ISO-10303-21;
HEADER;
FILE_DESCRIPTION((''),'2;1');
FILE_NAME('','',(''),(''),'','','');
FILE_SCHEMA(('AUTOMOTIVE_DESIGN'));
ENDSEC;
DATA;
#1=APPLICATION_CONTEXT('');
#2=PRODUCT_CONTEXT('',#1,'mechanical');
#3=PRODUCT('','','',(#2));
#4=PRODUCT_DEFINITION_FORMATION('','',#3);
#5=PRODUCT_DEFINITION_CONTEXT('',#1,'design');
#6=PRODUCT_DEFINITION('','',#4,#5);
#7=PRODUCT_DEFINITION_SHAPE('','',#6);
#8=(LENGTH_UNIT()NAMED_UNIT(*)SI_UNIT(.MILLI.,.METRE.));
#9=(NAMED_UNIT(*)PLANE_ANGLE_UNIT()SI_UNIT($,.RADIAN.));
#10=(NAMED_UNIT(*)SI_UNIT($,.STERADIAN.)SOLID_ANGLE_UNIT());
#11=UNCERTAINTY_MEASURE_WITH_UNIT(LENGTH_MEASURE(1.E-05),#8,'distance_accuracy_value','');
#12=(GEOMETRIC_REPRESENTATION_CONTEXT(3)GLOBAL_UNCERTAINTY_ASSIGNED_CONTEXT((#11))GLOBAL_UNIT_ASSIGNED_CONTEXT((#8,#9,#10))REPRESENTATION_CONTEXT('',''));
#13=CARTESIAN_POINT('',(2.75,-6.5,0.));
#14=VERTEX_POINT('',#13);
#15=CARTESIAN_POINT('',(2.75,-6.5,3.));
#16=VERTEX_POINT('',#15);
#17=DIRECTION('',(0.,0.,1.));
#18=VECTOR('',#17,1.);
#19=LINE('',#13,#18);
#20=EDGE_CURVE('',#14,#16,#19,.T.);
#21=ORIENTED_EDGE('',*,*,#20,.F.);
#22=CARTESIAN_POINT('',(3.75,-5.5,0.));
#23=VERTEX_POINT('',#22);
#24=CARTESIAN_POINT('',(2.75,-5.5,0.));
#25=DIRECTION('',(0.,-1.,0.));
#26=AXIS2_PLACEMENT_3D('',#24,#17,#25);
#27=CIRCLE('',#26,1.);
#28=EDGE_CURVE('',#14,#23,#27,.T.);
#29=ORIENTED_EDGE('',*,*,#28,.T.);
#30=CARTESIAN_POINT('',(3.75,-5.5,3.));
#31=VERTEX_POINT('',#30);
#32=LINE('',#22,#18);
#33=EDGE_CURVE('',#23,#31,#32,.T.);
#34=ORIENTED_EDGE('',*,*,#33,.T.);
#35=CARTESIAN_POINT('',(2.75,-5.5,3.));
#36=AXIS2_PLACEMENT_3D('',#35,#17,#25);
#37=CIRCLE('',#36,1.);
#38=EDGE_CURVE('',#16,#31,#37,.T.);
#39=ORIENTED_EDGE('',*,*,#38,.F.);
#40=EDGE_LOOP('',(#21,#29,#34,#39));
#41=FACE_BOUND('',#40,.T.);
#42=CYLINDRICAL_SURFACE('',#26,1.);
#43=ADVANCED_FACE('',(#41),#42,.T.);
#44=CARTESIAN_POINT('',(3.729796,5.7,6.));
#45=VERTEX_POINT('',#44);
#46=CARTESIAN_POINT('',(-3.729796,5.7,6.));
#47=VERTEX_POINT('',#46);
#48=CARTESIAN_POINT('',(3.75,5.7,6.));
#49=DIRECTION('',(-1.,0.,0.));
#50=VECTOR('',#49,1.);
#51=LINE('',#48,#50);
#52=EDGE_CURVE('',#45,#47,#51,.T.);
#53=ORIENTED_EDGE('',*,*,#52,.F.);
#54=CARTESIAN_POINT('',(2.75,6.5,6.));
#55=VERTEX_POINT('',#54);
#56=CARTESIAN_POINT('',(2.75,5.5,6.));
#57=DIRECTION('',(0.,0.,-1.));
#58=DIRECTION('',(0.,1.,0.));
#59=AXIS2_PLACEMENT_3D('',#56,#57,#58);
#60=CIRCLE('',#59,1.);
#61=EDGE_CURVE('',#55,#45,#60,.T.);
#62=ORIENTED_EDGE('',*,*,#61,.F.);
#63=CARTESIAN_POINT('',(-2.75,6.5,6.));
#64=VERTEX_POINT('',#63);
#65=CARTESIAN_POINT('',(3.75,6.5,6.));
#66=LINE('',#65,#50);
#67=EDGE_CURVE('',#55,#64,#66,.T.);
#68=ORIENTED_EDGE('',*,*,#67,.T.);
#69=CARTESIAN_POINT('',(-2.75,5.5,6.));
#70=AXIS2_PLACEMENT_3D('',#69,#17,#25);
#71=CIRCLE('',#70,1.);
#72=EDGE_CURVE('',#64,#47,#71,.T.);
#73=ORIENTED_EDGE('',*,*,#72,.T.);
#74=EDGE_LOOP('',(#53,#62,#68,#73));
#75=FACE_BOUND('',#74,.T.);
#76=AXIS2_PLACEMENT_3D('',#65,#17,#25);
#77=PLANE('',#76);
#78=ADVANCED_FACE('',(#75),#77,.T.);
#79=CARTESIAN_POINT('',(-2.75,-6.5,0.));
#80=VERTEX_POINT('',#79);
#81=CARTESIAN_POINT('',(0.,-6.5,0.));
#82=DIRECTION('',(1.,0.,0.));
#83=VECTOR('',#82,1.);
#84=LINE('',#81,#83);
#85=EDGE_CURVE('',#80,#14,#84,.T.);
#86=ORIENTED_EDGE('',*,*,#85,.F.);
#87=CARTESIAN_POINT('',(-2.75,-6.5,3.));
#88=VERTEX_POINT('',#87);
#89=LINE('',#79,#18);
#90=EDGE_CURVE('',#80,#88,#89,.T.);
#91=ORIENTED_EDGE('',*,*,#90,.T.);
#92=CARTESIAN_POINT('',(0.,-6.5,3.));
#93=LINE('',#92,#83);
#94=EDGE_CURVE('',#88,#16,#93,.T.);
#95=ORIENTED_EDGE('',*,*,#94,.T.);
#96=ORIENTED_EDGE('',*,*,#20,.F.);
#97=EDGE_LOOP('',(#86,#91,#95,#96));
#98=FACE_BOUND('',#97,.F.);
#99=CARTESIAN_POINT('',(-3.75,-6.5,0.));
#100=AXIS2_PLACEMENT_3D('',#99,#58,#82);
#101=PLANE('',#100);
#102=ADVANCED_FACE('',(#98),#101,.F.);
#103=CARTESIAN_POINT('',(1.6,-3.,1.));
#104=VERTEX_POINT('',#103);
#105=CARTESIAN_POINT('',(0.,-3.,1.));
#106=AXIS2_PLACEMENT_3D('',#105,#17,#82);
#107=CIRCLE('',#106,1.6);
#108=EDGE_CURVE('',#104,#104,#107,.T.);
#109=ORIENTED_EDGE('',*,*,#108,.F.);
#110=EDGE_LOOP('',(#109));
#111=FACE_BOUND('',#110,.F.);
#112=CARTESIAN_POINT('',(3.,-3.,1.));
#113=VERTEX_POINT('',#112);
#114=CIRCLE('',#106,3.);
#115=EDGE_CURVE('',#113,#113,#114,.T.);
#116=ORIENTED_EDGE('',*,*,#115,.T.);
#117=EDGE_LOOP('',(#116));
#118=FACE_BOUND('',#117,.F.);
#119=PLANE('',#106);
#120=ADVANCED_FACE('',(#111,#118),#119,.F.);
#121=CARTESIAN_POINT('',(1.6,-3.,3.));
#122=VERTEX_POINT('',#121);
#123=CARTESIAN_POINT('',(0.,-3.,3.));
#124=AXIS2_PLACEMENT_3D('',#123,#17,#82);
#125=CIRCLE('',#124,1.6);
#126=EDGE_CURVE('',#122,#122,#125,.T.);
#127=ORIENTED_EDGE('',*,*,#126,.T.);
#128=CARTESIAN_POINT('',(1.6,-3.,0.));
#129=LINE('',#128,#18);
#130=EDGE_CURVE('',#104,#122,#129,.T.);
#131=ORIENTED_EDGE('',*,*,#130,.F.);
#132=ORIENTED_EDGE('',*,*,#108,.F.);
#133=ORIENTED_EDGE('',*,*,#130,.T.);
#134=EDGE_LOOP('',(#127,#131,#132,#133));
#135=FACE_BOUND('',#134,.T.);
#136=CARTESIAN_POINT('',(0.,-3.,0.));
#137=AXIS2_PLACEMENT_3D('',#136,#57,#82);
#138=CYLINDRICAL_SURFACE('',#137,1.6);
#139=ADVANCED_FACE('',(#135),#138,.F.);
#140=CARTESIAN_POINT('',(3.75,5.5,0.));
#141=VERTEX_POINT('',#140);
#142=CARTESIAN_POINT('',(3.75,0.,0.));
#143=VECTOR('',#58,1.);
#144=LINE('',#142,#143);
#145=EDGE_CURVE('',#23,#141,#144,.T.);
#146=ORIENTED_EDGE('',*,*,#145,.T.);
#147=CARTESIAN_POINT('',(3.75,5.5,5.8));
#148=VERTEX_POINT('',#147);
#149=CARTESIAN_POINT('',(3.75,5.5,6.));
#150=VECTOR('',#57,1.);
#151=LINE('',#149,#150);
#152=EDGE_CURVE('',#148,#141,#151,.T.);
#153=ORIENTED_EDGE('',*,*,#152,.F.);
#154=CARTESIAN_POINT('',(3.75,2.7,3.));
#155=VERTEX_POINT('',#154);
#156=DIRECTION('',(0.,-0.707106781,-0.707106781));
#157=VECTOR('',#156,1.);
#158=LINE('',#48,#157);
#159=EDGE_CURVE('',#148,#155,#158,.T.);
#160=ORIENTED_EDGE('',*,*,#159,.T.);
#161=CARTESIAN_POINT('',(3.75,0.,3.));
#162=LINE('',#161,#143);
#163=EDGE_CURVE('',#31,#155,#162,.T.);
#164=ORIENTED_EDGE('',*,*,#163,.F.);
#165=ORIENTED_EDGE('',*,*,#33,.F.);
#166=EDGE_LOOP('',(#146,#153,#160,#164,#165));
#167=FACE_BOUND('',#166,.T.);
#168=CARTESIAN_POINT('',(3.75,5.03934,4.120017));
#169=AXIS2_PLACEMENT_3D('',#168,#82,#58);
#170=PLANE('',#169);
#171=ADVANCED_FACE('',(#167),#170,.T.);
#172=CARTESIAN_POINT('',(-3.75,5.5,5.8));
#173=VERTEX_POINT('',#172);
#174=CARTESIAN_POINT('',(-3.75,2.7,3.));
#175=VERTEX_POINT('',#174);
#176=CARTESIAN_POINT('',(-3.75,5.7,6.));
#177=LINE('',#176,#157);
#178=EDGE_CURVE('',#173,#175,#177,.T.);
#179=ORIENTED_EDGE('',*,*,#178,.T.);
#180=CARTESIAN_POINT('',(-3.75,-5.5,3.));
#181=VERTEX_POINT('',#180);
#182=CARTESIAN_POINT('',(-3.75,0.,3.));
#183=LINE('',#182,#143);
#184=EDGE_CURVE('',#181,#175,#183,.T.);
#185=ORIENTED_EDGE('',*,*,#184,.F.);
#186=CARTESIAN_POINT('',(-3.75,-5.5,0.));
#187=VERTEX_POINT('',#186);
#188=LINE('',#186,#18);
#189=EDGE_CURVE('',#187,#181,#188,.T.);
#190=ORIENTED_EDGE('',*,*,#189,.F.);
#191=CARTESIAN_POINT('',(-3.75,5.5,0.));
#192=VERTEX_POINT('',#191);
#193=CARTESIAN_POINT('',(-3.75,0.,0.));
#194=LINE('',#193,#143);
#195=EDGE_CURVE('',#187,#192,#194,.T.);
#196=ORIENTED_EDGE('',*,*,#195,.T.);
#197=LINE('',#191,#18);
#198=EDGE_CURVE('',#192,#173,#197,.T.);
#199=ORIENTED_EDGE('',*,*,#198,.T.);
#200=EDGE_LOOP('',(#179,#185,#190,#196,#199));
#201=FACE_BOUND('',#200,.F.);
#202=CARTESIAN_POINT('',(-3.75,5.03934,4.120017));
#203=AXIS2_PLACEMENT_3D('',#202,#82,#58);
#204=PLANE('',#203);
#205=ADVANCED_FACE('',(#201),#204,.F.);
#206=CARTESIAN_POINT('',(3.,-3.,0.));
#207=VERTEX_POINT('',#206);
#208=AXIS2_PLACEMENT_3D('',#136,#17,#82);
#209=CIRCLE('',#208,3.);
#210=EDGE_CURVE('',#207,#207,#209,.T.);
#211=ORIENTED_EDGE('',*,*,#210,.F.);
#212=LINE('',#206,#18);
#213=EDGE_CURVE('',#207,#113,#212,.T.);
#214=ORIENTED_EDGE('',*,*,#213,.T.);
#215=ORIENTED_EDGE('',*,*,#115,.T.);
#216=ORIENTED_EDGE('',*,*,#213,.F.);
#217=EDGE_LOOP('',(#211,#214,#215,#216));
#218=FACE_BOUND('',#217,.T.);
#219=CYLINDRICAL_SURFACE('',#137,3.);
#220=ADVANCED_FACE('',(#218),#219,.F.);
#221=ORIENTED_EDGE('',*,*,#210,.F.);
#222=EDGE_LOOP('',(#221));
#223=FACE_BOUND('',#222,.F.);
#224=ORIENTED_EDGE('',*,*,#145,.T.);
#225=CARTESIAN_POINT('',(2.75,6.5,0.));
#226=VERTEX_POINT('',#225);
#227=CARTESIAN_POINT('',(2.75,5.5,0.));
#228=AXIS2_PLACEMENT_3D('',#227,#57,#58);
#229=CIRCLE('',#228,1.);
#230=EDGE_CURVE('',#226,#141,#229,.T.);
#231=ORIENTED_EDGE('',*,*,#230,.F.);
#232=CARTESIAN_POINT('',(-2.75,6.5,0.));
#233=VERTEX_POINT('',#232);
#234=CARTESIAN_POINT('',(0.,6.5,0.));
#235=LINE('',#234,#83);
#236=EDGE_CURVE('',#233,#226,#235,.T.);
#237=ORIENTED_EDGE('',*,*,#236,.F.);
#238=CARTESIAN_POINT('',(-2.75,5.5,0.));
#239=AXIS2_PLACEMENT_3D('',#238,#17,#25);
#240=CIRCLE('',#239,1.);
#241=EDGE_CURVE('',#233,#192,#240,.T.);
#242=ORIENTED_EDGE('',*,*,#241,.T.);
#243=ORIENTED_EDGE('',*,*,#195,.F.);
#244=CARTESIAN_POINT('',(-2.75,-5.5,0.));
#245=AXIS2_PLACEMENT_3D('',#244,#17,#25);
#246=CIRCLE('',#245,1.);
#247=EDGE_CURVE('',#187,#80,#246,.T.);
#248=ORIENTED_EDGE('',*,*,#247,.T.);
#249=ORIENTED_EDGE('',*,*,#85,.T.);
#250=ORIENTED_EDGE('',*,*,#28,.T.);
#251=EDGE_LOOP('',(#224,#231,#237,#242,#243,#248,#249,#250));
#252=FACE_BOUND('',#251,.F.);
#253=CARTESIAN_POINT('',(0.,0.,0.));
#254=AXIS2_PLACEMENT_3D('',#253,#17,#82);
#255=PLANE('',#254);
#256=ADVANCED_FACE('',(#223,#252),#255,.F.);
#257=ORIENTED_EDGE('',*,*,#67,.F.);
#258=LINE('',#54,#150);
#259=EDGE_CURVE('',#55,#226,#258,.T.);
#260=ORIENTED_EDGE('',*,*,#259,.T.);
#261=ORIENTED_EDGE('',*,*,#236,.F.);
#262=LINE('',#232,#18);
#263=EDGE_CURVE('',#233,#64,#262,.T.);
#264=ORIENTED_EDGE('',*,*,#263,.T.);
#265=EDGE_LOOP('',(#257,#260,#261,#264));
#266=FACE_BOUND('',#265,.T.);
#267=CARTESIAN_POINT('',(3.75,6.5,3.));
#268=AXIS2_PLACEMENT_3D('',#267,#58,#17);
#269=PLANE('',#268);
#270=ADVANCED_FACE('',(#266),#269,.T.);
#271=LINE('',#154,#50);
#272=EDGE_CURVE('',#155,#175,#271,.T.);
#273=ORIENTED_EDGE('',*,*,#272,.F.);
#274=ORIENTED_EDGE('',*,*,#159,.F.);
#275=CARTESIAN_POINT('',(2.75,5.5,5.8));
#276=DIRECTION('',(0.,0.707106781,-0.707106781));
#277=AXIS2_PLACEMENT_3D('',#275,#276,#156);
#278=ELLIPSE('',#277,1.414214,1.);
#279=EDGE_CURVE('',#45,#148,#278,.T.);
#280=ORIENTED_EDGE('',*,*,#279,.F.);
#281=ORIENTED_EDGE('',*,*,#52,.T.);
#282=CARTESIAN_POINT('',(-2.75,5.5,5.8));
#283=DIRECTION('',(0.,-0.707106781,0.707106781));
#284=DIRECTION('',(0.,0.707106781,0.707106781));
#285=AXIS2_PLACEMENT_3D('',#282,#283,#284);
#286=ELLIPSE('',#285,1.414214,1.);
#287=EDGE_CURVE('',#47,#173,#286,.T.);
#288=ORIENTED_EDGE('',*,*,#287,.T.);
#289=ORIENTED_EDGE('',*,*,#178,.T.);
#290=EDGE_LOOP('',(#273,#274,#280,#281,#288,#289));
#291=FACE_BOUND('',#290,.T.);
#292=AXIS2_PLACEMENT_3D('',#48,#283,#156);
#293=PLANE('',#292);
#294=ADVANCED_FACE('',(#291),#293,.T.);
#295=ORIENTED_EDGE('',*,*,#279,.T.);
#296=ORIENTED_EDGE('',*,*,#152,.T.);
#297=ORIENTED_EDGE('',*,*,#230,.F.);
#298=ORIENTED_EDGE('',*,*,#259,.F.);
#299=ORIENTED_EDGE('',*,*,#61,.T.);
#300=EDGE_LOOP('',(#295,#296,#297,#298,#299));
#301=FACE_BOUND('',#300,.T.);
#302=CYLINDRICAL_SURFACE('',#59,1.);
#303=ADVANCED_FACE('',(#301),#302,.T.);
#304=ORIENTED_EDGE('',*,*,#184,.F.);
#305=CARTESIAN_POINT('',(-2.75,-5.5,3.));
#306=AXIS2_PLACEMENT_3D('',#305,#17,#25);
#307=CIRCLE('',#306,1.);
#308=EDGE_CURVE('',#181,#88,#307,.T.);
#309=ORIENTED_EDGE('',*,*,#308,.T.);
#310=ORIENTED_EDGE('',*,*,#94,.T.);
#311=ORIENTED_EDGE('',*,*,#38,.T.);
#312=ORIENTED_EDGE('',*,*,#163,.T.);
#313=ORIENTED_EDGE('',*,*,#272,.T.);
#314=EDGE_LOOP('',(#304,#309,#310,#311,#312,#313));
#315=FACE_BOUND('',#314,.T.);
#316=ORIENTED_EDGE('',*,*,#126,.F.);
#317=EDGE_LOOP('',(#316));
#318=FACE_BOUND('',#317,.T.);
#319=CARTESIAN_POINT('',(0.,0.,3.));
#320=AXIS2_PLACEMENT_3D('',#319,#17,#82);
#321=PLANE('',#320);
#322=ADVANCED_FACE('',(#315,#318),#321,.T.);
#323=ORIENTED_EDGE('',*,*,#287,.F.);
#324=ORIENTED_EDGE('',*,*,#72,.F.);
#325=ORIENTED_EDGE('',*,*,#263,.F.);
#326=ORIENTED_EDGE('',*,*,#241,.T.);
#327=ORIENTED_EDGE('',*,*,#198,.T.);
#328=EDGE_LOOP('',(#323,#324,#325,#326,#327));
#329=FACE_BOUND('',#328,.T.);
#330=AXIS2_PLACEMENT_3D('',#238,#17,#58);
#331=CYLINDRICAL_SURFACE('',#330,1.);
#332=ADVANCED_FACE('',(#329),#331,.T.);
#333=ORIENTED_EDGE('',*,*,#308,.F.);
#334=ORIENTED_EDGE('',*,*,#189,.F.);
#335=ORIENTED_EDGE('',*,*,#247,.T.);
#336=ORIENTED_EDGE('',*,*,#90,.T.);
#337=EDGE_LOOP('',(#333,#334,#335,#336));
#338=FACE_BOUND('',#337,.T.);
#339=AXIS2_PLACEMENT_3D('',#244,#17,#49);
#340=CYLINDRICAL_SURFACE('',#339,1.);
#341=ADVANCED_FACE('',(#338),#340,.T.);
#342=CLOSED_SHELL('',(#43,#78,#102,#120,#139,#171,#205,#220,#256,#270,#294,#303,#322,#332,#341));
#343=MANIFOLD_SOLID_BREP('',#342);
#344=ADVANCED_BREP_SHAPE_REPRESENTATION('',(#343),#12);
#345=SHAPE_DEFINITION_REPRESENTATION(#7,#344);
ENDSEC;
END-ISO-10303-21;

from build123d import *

# Parameters (mm, degrees)
F0_W     = 7.5
F0_H     = 13
F0_R     = 3
F0_R_2   = 1.6
F1_DEPTH = 3
F3_DEPTH = 1
F4_DEPTH = 7.5
F5_R     = 1


with BuildPart() as f1:
    # F0 (on Top) → F1 (new body)
    with BuildSketch(Plane.XY):
        Rectangle(F0_W, F0_H)
        with Locations((0, -3)):
            Circle(F0_R, mode=Mode.SUBTRACT)
        with Locations((0, -3)):
            Circle(F0_R)
        with Locations((0, -3)):
            Circle(F0_R_2, mode=Mode.SUBTRACT)
    extrude(amount=F1_DEPTH)

    # F0 (on Top) → F3 (cut)
    with BuildSketch(Plane.XY):
        with Locations((0, -3)):
            Circle(F0_R)
        with Locations((0, -3)):
            Circle(F0_R_2, mode=Mode.SUBTRACT)
    extrude(amount=F3_DEPTH, mode=Mode.SUBTRACT)

    # F2 (on face) → F4 (join, through all)
    with BuildSketch(Plane.YZ.offset(3.75)):
        Polygon((2.7, 3), (6.5, 3), (6.5, 6), (5.7, 6), align=None)
    extrude(amount=-F4_DEPTH)

    # F5
    f5_edges = [f1.edges().sort_by_distance(p)[0] for p in [
        (3.75, -6.5, 1.5),
        (-3.75, -6.5, 1.5),
        (3.75, 6.5, 3),
        (-3.75, 6.5, 3),
    ]]
    fillet(f5_edges, radius=F5_R)


solid = f1.part
